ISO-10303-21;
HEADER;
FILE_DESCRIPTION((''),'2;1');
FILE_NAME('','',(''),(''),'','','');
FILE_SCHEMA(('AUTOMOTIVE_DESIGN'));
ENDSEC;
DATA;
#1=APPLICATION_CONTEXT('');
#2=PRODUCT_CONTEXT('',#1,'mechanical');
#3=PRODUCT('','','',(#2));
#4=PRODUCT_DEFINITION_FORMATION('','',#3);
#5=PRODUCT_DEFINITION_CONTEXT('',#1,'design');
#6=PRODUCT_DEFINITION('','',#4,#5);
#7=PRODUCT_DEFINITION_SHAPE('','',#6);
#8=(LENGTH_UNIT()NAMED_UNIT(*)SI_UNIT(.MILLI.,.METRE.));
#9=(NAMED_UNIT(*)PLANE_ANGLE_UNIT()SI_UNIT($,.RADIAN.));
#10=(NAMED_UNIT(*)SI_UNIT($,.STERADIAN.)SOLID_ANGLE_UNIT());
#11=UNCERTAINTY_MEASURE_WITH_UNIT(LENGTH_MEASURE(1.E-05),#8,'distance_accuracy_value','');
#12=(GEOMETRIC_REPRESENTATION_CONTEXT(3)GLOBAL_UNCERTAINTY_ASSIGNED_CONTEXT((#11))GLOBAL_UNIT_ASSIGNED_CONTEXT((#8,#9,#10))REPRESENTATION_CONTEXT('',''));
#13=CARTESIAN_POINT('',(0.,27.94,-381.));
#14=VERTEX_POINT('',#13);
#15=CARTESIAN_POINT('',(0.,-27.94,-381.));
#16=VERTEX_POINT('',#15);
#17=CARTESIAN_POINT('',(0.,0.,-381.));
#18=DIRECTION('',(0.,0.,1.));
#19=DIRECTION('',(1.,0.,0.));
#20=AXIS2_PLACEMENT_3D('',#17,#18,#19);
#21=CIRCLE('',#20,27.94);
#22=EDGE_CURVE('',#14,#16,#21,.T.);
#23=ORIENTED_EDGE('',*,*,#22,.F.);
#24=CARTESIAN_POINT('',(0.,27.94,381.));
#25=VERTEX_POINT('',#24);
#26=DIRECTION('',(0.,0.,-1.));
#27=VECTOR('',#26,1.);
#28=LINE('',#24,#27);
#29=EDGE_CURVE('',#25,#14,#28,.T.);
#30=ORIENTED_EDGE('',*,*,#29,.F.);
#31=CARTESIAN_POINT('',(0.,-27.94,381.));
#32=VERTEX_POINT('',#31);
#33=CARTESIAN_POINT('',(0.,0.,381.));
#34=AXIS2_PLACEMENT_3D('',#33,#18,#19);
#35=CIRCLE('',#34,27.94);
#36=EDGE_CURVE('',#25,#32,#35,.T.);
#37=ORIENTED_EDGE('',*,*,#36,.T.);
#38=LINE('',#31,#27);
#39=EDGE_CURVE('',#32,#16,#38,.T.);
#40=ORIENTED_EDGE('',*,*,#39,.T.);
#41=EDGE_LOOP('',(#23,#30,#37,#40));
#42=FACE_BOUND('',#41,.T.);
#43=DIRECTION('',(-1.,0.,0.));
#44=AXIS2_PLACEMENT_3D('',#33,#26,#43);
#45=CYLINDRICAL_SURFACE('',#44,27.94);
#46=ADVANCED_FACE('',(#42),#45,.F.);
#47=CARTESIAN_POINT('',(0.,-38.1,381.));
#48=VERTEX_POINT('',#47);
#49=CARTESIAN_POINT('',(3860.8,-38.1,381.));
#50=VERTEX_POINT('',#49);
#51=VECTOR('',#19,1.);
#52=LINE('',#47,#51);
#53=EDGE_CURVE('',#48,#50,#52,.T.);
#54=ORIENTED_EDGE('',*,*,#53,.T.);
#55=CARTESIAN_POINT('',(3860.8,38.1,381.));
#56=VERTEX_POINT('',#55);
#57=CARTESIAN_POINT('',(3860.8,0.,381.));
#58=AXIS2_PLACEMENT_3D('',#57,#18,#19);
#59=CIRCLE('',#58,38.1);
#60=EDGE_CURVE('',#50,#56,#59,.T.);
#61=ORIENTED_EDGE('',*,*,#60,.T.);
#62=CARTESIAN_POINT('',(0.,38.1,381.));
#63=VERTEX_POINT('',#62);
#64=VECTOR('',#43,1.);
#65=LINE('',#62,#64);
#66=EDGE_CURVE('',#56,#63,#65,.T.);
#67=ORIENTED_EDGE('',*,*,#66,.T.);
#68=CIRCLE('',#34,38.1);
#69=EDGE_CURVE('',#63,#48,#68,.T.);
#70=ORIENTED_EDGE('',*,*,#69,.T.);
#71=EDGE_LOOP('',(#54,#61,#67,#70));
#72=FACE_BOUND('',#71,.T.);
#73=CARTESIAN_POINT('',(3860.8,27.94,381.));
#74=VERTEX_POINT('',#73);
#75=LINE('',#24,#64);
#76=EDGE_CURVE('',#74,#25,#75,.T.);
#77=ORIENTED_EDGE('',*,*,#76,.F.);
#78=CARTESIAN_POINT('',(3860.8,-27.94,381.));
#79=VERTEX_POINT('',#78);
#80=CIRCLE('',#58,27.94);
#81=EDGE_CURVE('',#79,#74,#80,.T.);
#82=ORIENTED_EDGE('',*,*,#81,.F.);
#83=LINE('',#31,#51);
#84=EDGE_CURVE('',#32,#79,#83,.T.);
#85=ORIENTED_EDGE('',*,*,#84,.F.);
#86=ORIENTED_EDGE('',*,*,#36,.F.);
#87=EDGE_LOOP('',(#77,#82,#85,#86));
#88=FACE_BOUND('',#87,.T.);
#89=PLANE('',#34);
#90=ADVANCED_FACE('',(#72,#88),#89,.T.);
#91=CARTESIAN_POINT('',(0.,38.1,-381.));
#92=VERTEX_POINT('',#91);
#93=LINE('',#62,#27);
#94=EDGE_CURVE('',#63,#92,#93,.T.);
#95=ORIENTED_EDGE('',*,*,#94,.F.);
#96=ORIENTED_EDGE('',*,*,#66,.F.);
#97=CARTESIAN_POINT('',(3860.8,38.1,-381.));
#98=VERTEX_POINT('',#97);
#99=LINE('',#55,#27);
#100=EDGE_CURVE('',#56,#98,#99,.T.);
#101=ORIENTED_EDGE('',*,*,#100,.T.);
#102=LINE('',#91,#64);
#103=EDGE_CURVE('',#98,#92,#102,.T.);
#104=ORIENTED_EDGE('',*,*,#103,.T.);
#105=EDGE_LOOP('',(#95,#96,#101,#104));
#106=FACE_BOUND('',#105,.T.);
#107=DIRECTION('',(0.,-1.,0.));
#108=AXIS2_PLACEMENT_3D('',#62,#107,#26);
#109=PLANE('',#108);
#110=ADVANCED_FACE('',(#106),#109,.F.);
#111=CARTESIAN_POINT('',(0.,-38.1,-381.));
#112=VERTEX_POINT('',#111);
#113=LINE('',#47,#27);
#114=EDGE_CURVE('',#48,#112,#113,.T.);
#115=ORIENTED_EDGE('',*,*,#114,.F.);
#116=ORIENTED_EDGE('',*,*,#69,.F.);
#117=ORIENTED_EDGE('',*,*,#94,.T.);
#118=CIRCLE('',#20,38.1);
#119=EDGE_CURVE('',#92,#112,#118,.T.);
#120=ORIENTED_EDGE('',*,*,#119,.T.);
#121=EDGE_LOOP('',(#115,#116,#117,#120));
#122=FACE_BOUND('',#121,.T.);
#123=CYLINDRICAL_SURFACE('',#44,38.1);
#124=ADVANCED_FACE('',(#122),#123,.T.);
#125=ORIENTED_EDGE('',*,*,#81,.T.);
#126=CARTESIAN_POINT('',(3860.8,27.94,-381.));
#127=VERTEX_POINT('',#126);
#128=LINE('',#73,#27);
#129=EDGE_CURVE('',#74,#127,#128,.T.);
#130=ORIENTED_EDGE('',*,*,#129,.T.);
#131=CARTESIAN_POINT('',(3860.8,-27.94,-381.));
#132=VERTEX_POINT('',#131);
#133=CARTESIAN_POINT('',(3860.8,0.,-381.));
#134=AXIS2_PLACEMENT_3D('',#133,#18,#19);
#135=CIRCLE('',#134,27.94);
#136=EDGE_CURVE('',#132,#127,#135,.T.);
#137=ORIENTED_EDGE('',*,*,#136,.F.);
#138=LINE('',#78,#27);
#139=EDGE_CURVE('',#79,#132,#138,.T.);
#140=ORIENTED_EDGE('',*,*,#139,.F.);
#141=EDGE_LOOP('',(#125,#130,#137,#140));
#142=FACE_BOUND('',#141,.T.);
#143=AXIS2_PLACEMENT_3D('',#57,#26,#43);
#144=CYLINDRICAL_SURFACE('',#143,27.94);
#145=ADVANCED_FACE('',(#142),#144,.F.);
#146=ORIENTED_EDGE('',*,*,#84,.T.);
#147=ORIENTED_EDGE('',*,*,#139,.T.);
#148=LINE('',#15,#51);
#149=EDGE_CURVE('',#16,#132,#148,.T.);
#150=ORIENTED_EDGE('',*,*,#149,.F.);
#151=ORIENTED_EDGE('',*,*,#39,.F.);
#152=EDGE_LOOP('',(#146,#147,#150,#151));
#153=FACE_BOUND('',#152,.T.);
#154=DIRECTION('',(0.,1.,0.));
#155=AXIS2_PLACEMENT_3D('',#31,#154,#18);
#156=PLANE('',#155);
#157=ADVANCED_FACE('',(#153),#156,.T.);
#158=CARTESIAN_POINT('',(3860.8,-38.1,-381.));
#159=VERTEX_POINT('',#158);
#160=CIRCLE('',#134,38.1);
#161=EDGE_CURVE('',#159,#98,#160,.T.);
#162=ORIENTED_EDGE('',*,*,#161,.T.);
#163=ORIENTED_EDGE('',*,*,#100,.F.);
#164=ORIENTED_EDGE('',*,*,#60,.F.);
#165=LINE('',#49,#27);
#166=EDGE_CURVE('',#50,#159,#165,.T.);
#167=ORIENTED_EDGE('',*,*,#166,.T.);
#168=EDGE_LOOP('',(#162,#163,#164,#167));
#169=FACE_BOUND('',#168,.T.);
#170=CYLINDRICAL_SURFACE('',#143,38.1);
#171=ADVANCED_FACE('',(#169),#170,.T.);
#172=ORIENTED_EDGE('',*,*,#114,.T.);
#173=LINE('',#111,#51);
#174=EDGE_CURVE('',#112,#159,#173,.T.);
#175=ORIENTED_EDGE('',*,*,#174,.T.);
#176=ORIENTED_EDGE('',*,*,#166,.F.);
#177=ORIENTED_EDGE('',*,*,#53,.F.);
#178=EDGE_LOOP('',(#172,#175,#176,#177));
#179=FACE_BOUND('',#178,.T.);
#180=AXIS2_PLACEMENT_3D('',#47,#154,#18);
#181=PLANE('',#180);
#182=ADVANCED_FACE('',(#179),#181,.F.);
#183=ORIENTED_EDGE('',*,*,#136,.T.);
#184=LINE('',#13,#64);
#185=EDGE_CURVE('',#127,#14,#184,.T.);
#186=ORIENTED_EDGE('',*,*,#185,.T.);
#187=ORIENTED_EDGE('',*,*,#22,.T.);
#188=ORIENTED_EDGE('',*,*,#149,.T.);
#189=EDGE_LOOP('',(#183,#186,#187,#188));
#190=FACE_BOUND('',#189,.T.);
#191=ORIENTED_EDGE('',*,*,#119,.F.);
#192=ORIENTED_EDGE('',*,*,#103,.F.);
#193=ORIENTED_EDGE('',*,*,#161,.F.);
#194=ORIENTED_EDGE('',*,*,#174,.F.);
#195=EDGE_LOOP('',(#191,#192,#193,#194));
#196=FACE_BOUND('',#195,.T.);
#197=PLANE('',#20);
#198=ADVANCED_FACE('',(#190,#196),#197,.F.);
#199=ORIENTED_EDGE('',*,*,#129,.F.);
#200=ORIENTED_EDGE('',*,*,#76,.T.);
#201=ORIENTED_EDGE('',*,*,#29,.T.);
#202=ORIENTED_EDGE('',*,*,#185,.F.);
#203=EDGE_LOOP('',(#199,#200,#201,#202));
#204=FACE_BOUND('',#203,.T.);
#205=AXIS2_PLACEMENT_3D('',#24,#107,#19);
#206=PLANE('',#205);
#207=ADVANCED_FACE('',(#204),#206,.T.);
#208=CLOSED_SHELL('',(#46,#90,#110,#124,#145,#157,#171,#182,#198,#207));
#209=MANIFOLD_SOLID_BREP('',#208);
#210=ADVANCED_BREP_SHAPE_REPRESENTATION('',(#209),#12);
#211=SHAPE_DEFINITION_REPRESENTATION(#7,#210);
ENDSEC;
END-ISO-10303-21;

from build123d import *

# Parameters (mm, degrees)
BOSS_EXTRUDE1_DEPTH = 381


with BuildPart() as part:
    # Sketch1 → Boss-Extrude1 (new, symmetric)
    with BuildSketch(Plane.XY):
        with BuildLine():
            Line((0, 38.1), (3860.8, 38.1))
            ThreePointArc((3860.8, 38.1), (3898.9, 0), (3860.8, -38.1))
            Line((3860.8, -38.1), (0, -38.1))
            ThreePointArc((0, -38.1), (-38.1, 0), (0, 38.1))
        make_face()
        with BuildLine():
            Line((0, 27.94), (3860.8, 27.94))
            ThreePointArc((3860.8, 27.94), (3888.74, 0), (3860.8, -27.94))
            Line((3860.8, -27.94), (0, -27.94))
            ThreePointArc((0, -27.94), (-27.94, 0), (0, 27.94))
        make_face(mode=Mode.SUBTRACT)
    extrude(amount=BOSS_EXTRUDE1_DEPTH, both=True)


solid = part.part
